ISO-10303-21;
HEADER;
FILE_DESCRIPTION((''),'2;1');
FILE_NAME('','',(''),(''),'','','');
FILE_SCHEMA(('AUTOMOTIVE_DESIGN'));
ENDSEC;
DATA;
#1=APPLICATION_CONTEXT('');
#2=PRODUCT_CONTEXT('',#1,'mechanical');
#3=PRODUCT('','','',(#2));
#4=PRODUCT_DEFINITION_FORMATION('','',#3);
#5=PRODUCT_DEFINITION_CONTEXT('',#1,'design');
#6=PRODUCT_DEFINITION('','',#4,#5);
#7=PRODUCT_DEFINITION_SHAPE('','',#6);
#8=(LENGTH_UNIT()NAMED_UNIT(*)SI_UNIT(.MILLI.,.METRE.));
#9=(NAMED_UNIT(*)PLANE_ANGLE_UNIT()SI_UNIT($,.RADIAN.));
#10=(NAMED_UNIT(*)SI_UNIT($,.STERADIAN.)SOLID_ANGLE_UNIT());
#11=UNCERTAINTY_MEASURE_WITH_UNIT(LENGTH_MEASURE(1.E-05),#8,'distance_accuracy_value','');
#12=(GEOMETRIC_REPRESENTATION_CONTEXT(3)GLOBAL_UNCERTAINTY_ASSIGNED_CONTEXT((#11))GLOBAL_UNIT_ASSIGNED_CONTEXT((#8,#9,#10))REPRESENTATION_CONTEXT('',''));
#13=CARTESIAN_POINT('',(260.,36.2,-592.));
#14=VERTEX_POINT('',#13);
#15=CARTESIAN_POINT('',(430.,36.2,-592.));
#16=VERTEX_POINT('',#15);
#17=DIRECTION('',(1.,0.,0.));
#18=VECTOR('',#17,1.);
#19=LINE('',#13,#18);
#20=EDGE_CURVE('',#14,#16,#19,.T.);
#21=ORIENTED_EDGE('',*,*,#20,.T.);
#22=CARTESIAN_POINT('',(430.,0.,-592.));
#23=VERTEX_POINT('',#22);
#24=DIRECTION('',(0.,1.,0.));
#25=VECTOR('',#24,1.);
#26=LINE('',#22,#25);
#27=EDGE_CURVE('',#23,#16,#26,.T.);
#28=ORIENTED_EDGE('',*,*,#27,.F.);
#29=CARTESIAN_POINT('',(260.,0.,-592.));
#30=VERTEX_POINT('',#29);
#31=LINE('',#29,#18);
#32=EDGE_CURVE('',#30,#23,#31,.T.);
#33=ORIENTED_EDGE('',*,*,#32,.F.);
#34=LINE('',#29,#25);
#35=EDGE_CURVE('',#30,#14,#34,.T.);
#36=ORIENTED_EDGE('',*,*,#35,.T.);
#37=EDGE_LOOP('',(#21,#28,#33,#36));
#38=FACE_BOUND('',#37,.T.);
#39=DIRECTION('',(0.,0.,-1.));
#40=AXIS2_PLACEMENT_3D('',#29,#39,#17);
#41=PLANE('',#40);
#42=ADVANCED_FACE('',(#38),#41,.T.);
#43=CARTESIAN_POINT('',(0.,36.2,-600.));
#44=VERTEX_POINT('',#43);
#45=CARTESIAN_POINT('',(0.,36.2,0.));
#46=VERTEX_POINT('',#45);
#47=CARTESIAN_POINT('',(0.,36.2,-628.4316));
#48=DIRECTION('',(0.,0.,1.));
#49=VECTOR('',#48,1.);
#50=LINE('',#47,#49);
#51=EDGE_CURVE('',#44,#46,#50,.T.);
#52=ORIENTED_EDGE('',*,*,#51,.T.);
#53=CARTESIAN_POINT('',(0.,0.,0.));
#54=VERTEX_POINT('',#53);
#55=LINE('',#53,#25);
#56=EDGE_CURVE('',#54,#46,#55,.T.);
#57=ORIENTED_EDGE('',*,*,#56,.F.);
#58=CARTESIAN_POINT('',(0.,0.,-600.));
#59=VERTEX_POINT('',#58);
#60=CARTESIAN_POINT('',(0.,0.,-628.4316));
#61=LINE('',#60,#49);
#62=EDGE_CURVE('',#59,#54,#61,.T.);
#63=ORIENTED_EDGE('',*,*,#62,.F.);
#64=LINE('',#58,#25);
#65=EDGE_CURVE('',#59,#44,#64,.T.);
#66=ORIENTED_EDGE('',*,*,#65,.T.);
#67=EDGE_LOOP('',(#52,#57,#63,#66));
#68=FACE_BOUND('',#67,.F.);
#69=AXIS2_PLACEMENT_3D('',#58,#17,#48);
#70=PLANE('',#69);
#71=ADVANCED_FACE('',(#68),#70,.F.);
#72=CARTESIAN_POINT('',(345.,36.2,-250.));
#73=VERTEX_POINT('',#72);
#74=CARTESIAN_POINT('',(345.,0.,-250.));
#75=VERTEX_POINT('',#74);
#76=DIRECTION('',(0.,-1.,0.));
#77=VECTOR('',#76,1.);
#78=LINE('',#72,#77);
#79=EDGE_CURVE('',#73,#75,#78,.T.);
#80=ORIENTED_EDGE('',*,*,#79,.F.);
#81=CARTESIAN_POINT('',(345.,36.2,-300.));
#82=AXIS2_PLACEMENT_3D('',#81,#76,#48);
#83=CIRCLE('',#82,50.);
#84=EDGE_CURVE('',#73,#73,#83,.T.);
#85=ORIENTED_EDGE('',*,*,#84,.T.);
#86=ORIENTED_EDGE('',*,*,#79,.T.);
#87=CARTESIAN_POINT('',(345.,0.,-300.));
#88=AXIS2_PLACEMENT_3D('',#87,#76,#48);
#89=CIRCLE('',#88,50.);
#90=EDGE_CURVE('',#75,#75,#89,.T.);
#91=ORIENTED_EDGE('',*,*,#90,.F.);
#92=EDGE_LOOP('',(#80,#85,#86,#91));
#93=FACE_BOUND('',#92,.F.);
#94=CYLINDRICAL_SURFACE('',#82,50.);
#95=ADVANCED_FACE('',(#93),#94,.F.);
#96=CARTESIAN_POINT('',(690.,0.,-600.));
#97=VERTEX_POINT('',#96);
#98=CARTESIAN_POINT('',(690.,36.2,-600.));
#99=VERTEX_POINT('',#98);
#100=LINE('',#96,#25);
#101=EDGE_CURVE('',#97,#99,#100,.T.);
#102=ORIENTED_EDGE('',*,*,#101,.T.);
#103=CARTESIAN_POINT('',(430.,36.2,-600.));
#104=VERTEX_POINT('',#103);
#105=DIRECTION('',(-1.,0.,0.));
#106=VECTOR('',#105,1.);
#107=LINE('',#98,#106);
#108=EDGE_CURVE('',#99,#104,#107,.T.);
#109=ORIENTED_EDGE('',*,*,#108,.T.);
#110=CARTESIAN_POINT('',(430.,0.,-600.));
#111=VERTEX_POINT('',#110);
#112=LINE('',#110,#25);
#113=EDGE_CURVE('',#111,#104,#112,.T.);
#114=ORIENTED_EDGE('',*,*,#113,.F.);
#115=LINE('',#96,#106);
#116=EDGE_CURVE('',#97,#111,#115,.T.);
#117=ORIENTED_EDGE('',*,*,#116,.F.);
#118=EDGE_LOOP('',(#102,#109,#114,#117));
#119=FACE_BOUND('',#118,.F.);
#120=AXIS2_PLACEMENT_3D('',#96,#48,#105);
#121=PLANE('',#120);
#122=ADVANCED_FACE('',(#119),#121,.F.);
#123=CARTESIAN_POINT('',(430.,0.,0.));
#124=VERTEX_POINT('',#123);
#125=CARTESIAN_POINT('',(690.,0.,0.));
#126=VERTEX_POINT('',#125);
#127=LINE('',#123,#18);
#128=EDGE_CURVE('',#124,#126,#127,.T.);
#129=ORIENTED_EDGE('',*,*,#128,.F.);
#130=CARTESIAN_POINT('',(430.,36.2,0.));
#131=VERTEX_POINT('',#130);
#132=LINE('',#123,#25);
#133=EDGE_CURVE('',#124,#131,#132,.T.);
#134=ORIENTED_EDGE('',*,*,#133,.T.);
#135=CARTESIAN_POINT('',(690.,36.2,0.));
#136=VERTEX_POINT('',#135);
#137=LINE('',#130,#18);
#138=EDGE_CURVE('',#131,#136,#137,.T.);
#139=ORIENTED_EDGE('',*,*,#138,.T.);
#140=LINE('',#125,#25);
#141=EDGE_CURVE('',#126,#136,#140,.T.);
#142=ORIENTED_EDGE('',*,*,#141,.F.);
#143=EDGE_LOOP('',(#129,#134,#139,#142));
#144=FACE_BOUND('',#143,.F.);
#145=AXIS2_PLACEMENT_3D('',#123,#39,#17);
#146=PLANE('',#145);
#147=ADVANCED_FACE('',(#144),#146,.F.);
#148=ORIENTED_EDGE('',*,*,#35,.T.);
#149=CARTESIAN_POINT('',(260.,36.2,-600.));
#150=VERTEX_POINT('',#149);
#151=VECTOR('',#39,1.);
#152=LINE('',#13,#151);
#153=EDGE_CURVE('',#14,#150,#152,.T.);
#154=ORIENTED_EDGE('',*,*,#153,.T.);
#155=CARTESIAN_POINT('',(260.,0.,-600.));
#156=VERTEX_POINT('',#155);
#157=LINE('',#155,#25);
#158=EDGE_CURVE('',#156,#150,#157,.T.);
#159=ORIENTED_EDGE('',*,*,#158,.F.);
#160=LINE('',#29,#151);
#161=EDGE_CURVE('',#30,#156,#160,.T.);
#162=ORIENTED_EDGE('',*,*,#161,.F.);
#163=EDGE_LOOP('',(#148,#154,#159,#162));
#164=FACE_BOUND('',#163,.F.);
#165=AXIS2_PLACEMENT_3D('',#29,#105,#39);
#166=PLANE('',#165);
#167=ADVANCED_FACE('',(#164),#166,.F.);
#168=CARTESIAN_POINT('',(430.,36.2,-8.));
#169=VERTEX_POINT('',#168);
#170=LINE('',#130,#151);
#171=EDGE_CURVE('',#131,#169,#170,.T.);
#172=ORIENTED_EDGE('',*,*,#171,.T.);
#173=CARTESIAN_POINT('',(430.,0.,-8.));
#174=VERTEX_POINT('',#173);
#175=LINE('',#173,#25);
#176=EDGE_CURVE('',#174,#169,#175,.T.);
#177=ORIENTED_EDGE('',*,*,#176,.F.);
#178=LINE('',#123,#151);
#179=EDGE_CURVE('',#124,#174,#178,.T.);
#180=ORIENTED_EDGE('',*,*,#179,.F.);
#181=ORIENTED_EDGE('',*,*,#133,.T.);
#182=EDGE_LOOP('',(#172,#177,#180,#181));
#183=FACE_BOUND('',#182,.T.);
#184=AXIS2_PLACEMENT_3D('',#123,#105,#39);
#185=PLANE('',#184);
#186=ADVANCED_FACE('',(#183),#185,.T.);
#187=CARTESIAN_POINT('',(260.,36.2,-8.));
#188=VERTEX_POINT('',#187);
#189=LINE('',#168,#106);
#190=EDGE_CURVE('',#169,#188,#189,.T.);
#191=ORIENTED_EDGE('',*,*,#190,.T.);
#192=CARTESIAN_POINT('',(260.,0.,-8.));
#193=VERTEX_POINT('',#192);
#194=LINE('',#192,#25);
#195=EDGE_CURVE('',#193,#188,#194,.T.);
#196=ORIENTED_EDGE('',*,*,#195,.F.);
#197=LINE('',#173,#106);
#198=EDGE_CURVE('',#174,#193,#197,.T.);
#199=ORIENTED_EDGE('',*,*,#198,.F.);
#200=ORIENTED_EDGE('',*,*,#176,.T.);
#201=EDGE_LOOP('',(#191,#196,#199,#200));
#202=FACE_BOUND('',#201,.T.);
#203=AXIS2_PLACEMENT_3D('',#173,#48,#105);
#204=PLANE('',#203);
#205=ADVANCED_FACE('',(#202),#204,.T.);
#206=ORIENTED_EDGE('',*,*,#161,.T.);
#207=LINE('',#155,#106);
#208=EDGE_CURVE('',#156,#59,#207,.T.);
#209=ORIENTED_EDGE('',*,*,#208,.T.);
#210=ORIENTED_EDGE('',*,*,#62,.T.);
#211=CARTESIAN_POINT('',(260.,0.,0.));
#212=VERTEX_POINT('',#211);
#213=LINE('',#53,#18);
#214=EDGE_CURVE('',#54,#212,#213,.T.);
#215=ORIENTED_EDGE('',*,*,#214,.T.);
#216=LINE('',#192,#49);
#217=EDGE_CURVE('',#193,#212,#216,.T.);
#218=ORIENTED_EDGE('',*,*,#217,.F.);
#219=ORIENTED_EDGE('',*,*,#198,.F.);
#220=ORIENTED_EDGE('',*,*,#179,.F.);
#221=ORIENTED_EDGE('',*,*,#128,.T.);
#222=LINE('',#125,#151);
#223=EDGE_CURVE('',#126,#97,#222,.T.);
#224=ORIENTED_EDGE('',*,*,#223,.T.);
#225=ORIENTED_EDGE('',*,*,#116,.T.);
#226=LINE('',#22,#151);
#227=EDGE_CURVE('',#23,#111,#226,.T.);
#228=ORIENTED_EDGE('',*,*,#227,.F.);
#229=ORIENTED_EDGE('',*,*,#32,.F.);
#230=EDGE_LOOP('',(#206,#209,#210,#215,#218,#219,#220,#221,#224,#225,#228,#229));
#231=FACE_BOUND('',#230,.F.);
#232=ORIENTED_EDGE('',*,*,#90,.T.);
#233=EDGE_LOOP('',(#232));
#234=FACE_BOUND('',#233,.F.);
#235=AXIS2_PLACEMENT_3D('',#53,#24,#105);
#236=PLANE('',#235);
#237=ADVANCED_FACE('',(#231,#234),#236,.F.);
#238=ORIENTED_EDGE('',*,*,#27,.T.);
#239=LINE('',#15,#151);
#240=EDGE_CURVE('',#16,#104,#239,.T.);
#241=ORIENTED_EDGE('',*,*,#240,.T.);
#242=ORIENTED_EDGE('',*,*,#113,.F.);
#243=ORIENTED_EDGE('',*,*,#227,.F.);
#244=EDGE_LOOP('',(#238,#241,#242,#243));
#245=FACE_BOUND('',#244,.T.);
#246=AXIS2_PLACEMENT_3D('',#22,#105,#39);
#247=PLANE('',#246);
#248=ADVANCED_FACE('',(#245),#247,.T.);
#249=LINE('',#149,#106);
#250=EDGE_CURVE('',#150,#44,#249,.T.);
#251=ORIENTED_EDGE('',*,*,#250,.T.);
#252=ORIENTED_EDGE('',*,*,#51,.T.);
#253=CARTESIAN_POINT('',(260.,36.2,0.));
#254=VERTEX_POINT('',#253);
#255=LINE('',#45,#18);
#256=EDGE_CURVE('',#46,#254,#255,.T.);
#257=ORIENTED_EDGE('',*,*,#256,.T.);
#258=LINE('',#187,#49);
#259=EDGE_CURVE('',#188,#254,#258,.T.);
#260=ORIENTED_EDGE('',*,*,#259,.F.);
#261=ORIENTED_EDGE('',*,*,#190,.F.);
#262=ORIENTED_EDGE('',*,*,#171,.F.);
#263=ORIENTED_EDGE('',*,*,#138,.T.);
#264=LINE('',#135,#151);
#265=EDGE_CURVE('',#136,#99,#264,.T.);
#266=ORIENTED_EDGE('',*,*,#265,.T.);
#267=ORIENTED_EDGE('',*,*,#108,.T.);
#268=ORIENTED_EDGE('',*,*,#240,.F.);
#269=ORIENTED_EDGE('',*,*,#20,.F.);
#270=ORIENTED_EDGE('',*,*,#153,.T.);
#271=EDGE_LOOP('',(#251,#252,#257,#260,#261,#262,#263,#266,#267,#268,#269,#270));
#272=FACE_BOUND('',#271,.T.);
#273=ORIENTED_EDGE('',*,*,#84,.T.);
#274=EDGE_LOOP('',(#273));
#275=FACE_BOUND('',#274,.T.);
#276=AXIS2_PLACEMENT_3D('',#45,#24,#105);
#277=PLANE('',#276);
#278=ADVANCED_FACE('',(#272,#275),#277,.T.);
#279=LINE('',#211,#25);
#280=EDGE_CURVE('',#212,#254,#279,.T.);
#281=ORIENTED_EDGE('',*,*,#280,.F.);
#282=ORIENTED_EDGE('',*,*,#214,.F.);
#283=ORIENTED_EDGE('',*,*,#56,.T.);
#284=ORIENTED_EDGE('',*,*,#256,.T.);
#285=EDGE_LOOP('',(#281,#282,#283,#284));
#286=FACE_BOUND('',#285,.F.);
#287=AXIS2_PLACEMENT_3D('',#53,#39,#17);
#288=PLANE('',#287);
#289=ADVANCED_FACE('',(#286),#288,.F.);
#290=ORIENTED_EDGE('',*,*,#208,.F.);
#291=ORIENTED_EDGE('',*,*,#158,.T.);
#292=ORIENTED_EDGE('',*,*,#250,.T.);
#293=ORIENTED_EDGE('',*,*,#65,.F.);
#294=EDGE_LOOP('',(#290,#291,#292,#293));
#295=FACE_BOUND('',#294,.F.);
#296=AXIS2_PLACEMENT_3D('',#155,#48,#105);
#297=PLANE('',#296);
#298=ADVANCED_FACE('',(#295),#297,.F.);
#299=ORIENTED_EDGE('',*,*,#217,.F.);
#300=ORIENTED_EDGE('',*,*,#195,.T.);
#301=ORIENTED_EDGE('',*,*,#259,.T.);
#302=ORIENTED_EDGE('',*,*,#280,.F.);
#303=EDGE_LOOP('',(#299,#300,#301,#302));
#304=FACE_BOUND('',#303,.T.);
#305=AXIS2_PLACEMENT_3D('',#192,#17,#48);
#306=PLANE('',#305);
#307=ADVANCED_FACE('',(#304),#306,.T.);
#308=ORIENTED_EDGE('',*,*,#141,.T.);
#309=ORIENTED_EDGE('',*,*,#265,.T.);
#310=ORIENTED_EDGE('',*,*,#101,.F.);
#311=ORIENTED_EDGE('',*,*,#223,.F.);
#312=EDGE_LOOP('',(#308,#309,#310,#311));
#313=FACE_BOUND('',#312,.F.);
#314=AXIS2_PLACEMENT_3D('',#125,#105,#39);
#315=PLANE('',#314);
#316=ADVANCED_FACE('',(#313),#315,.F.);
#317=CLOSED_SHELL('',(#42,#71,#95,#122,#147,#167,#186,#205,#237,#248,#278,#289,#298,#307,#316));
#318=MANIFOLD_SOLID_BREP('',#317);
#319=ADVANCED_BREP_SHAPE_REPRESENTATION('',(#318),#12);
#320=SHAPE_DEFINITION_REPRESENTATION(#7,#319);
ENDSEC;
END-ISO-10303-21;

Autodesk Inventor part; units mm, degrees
ref_plane "YZ Plane" through (0, 0, 0) normal (1, 0, 0) x (0, 1, 0)
ref_plane "XZ Plane" through (0, 0, 0) normal (0, 1, 0) x (-1, 0, 0)
ref_plane "XY Plane" through (0, 0, 0) normal (0, 0, 1) x (1, 0, 0)
sketch "Boceto1" plane through (0, 0, 0) normal (0, 1, 0) x (-1, 0, 0)
  line L0 (-690, 0) -> (-690, -628.4316)
  line L1 (0, -628.4316) -> (0, 0)
  line L2 (-430, 0) -> (-430, -8)
  line L3 (-430, -8) -> (-260, -8)
  line L4 (-260, -8) -> (-260, 0)
  line L5 (-260, -592) -> (-430, -592)
  line L6 (0, 0) -> (-260, 0)
  line L7 (-430, 0) -> (-690, 0)
  line L8 (-690, -600) -> (-430, -600)
  line L9 (-260, -600) -> (0, -600)
  line L10 (-430, -592) -> (-430, -600)
  line L11 (-260, -592) -> (-260, -600)
  point P0 (0, -600)
  point P1 (-345, -300)
  dimension "d32" = 600
  dimension "d33" = 690
extrude "Extrusión1" add sketch "Boceto1" along normal blind 36.2
sketch "Boceto2" plane through (0, 36.2, 0) normal (0, 1, 0) x (1, 0, 0)
  line L0 (260, 600) -> (0, 600) projected
  line L1 (0, 600) -> (0, 0) projected
  point P0 (345, 300)
hole "Agujero1" at (345, 36.2, -300) direction (0, -1, 0) diameter 100 end through all
properties part number "piso" material "Aluminio 6061"
